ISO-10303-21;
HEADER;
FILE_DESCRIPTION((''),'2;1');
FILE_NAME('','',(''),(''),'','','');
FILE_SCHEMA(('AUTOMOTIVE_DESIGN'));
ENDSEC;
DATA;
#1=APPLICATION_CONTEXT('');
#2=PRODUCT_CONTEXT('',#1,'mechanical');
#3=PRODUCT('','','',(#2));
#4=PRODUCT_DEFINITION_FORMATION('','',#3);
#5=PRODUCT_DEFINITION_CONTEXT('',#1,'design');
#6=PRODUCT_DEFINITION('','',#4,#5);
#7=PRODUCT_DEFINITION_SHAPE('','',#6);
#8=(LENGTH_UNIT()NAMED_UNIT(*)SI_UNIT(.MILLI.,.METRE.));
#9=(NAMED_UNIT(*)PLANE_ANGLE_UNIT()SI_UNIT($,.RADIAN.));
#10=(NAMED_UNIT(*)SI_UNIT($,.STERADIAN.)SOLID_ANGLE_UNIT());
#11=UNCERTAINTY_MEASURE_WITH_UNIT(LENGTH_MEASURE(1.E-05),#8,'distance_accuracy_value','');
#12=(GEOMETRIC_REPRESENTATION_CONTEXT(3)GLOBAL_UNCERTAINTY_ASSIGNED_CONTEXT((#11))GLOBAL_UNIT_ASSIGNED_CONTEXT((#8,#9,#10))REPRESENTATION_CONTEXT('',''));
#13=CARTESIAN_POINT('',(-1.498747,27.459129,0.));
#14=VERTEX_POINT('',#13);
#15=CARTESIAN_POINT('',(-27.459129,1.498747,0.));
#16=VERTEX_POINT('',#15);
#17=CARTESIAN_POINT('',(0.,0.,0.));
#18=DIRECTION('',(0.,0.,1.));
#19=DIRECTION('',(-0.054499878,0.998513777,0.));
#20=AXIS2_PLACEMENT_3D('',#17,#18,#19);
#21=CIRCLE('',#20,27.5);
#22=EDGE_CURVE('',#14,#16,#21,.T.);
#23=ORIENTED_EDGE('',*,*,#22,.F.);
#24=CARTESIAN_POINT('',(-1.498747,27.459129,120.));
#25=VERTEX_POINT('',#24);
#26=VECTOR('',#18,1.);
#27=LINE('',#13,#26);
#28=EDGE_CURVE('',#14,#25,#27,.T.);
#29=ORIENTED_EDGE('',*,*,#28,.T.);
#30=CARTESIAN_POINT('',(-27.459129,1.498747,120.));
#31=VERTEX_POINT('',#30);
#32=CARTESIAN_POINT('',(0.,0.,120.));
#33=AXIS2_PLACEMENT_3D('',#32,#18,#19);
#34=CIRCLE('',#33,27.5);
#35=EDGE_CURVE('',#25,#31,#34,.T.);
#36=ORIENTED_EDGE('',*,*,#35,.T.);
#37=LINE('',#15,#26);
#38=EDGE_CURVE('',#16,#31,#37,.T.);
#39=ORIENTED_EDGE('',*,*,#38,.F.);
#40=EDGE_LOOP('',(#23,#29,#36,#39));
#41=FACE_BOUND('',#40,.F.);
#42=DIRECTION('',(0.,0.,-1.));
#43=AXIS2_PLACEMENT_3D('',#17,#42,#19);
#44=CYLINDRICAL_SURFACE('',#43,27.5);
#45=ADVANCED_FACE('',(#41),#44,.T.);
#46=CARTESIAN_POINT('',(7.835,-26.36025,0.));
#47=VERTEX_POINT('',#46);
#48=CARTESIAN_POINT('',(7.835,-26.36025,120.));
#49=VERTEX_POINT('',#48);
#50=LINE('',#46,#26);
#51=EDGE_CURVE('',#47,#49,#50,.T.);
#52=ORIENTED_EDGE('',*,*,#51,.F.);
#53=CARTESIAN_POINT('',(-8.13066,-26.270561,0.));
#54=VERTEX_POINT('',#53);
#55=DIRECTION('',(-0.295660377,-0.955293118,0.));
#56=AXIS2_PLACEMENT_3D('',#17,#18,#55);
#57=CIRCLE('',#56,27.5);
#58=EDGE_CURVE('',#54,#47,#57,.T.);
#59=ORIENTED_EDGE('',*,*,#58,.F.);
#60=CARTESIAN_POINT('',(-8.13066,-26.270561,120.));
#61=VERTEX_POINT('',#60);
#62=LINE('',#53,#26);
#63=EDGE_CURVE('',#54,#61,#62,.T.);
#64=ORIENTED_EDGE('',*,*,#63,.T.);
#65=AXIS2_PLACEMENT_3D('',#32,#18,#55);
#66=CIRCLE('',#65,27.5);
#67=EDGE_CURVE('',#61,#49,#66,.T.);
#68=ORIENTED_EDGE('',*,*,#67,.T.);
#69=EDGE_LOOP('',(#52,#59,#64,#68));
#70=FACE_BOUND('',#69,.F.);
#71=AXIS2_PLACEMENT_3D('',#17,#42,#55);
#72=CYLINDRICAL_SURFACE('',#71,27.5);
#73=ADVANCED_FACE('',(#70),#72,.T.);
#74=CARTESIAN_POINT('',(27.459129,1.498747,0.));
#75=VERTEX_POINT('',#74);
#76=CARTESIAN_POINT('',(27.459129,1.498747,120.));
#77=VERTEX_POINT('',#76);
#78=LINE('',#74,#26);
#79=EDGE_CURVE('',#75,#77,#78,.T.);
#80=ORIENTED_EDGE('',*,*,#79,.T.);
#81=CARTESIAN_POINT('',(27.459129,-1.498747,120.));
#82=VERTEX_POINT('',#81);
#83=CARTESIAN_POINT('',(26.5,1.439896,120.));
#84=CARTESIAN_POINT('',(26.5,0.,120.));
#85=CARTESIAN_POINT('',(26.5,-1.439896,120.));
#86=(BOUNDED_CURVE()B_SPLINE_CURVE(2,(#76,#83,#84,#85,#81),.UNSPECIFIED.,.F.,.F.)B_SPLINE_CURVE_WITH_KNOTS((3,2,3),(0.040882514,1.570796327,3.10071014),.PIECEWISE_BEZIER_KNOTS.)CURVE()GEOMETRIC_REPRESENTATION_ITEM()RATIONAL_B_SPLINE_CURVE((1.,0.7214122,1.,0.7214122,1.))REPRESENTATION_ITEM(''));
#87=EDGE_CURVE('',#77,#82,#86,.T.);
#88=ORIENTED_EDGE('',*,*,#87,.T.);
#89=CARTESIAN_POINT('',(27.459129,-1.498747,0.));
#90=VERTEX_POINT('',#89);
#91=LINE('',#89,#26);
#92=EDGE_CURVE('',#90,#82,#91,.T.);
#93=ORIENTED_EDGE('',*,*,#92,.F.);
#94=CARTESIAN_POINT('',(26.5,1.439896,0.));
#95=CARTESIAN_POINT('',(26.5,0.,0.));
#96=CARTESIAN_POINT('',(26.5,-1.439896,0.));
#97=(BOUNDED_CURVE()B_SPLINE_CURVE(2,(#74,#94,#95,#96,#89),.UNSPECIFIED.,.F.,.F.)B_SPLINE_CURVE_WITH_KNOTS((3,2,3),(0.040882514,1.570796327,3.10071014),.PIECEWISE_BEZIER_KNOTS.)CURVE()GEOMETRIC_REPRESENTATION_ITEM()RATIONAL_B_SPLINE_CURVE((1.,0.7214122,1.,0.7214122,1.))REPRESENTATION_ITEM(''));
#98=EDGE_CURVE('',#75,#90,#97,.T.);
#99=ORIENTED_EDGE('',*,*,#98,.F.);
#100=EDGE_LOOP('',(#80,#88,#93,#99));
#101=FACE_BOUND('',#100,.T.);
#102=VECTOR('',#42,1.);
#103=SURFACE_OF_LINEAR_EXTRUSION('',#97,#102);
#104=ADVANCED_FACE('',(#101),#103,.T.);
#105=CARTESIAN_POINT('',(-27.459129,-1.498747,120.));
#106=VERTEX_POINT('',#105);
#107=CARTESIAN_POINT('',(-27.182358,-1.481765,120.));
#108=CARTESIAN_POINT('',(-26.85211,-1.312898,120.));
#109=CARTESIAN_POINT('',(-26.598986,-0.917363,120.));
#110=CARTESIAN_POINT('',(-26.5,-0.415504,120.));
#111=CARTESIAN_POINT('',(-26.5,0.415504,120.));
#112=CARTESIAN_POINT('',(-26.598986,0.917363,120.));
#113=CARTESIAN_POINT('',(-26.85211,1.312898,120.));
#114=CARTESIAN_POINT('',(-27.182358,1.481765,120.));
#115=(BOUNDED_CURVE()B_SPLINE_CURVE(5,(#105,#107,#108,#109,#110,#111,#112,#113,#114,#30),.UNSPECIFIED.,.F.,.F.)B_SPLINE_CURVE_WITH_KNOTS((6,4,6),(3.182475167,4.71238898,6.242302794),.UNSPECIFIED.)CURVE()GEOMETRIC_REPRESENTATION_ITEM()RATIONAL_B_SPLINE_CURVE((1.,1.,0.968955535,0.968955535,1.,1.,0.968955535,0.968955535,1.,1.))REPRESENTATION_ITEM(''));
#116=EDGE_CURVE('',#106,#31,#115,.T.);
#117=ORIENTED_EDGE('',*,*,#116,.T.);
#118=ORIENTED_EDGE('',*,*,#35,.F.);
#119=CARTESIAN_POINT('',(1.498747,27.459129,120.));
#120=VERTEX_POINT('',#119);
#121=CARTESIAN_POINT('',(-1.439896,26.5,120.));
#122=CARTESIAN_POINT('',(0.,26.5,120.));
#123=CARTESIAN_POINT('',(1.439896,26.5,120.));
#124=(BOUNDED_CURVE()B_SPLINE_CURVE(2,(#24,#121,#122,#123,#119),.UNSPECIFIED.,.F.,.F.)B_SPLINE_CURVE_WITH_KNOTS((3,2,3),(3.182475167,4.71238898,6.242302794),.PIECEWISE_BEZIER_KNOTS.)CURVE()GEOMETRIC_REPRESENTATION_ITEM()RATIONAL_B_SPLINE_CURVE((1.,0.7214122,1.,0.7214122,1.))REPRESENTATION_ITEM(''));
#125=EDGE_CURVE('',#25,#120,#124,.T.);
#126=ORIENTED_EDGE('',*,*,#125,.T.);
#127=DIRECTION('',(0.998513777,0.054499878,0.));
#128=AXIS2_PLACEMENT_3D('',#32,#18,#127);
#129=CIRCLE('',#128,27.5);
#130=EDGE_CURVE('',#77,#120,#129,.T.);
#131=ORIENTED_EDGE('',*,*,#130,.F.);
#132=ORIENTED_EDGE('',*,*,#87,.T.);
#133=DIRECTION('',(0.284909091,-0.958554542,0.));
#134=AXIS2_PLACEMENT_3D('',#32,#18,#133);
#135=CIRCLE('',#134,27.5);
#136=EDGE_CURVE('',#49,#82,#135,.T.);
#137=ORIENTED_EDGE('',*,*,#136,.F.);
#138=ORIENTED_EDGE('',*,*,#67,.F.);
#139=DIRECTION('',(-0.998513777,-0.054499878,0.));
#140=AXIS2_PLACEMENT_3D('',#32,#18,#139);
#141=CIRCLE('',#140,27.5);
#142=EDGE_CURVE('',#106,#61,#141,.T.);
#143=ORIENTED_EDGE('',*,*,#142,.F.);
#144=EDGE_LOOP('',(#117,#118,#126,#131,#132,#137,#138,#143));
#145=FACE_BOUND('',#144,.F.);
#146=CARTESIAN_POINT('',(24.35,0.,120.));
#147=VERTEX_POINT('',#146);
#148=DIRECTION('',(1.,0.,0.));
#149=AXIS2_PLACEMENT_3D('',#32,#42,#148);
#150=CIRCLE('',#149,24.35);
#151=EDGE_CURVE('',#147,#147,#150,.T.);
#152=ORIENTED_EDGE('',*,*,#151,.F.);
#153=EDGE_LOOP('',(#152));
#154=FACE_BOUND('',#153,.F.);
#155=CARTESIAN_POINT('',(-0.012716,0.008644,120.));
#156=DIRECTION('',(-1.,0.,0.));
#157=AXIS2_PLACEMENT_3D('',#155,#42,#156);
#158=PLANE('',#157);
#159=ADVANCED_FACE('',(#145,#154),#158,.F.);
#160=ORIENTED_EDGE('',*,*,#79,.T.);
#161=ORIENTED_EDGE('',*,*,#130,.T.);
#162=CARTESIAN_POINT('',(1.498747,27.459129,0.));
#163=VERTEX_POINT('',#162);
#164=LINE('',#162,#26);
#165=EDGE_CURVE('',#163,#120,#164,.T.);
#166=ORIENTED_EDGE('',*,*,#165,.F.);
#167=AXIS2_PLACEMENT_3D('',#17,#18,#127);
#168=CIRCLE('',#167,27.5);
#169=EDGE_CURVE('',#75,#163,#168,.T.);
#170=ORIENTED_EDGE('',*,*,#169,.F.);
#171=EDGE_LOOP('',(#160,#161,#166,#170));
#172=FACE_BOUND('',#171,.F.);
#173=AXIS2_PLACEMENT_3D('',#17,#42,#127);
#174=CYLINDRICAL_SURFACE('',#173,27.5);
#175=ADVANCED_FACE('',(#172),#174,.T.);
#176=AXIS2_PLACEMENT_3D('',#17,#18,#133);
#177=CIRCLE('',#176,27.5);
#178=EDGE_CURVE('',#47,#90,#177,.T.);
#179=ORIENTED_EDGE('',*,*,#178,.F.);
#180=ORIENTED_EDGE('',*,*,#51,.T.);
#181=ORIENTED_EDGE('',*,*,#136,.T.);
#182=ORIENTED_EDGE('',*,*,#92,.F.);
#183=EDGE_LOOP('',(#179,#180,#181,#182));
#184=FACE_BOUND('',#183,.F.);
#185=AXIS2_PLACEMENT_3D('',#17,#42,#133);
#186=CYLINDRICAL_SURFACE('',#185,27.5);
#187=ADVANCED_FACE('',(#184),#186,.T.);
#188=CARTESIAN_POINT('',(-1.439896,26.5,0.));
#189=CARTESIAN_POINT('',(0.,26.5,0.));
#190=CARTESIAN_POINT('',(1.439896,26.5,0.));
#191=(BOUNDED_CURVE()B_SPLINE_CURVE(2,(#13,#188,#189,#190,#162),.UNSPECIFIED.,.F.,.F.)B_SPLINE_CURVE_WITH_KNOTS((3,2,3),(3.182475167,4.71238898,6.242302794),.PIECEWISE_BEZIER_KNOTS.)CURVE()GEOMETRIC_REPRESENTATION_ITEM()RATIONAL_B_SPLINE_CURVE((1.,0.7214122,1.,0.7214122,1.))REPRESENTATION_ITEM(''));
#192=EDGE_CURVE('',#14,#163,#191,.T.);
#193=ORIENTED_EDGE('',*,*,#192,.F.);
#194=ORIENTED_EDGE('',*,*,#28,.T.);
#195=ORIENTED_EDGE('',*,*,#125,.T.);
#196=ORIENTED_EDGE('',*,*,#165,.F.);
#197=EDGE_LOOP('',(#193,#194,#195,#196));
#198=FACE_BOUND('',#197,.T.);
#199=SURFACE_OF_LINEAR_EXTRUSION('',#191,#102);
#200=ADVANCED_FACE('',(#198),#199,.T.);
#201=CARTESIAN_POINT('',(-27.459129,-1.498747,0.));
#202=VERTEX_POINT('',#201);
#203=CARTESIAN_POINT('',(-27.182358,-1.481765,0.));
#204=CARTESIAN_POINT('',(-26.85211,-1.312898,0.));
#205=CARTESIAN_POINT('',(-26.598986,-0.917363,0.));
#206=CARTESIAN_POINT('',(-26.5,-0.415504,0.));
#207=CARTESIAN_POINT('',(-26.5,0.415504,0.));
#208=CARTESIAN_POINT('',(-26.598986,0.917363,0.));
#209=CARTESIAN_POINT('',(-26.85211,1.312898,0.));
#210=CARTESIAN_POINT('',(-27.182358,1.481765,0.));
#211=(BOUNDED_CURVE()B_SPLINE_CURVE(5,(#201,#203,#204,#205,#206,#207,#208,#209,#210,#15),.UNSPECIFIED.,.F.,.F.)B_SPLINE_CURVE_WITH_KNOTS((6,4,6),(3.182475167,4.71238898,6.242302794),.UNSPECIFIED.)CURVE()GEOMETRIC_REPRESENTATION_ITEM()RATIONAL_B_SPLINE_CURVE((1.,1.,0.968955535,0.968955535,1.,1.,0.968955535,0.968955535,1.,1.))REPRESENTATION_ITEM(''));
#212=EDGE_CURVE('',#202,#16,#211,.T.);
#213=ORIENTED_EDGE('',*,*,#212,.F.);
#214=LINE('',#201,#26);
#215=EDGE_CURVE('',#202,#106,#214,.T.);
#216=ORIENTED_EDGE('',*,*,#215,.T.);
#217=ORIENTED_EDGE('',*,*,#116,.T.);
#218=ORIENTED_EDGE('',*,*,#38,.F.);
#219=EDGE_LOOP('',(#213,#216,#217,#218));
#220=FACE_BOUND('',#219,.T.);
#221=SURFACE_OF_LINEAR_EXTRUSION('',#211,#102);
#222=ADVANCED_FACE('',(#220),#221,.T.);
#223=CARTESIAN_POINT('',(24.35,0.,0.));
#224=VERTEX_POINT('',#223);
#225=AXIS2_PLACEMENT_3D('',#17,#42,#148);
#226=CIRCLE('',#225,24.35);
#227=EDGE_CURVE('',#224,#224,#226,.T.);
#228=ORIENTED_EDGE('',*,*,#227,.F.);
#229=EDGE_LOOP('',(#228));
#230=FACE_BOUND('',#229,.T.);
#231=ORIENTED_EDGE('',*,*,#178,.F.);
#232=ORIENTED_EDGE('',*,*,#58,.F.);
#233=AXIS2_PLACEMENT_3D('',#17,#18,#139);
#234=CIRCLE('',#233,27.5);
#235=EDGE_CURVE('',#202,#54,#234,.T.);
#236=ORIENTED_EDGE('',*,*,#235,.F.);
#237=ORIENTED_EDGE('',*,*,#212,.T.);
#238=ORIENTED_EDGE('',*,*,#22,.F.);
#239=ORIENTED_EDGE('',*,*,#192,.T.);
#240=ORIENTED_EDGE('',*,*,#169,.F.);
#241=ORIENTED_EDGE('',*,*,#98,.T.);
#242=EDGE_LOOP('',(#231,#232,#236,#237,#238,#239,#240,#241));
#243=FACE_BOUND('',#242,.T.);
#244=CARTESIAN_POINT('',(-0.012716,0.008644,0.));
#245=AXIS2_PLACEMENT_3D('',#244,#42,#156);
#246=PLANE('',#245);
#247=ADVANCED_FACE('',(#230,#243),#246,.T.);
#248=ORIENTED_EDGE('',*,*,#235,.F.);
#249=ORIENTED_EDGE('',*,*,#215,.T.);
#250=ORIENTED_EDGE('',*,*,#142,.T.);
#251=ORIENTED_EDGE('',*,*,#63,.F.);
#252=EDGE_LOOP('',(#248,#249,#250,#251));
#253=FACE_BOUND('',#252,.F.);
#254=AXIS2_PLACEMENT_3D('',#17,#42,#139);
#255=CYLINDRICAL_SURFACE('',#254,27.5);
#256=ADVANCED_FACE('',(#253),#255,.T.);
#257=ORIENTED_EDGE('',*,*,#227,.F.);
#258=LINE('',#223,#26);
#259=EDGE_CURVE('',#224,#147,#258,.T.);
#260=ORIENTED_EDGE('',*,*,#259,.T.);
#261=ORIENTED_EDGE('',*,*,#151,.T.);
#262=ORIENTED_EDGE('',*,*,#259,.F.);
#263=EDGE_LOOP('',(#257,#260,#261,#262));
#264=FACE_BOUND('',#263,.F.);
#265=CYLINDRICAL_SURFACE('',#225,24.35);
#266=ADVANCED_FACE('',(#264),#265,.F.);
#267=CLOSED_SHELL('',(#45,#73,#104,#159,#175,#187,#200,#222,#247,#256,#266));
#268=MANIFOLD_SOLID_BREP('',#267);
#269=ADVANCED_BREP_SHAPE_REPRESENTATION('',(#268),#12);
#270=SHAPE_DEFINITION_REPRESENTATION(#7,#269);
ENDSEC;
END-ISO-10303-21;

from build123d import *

# Parameters (mm, degrees)
F1_DEPTH = 120


with BuildPart() as f1:
    # F0 (on Top) → F1 (new body)
    with BuildSketch(Plane.XY):
        with BuildLine():
            add(Edge.make_bspline(
                [(-26.5, 0), (-26.5, 1.4398964502), (-27.4591288738, 1.4987466396)],
                knots=[4.7123889804, 4.7123889804, 4.7123889804, 6.2423027936, 6.2423027936, 6.2423027936], degree=2, weights=[1, 0.7214122005, 1]))
            add(Edge.make_bspline(
                [(-27.4591288738, -1.4987466396), (-26.5, -1.4398964502), (-26.5, 0)],
                knots=[3.1824751672, 3.1824751672, 3.1824751672, 4.7123889804, 4.7123889804, 4.7123889804], degree=2, weights=[1, 0.7214122005, 1]))
            ThreePointArc((-27.4591288738, -1.4987466396), (-21.6810739643, -16.9168859946), (-8.1306603774, -26.2705607445))
            ThreePointArc((-8.1306603774, -26.2705607445), (-0.1544823648, -27.4995660911), (7.835, -26.360249904))
            ThreePointArc((7.835, -26.360249904), (21.5857005766, -17.0384133833), (27.4591288738, -1.4987466396))
            add(Edge.make_bspline(
                [(27.4591288738, 1.4987466396), (26.5, 1.4398964502), (26.5, 0), (26.5, -1.4398964502), (27.4591288738, -1.4987466396)],
                knots=[0.0408825136, 0.0408825136, 0.0408825136, 1.5707963268, 1.5707963268, 3.10071014, 3.10071014, 3.10071014], degree=2, weights=[1, 0.7214122005, 1, 0.7214122005, 1]))
            ThreePointArc((27.4591288738, 1.4987466396), (19.4454364826, 19.4454364826), (1.4987466396, 27.4591288738))
            add(Edge.make_bspline(
                [(-1.4987466396, 27.4591288738), (-1.4398964502, 26.5), (0, 26.5), (1.4398964502, 26.5), (1.4987466396, 27.4591288738)],
                knots=[3.1824751672, 3.1824751672, 3.1824751672, 4.7123889804, 4.7123889804, 6.2423027936, 6.2423027936, 6.2423027936], degree=2, weights=[1, 0.7214122005, 1, 0.7214122005, 1]))
            ThreePointArc((-1.4987466396, 27.4591288738), (-19.4454364826, 19.4454364826), (-27.4591288738, 1.4987466396))
        make_face()
        with BuildLine():
            ThreePointArc((-24.35, 0), (0, 24.35), (24.35, 0))
            ThreePointArc((24.35, 0), (0, -24.35), (-24.35, 0))
        make_face(mode=Mode.SUBTRACT)
    extrude(amount=F1_DEPTH)


solid = f1.part
